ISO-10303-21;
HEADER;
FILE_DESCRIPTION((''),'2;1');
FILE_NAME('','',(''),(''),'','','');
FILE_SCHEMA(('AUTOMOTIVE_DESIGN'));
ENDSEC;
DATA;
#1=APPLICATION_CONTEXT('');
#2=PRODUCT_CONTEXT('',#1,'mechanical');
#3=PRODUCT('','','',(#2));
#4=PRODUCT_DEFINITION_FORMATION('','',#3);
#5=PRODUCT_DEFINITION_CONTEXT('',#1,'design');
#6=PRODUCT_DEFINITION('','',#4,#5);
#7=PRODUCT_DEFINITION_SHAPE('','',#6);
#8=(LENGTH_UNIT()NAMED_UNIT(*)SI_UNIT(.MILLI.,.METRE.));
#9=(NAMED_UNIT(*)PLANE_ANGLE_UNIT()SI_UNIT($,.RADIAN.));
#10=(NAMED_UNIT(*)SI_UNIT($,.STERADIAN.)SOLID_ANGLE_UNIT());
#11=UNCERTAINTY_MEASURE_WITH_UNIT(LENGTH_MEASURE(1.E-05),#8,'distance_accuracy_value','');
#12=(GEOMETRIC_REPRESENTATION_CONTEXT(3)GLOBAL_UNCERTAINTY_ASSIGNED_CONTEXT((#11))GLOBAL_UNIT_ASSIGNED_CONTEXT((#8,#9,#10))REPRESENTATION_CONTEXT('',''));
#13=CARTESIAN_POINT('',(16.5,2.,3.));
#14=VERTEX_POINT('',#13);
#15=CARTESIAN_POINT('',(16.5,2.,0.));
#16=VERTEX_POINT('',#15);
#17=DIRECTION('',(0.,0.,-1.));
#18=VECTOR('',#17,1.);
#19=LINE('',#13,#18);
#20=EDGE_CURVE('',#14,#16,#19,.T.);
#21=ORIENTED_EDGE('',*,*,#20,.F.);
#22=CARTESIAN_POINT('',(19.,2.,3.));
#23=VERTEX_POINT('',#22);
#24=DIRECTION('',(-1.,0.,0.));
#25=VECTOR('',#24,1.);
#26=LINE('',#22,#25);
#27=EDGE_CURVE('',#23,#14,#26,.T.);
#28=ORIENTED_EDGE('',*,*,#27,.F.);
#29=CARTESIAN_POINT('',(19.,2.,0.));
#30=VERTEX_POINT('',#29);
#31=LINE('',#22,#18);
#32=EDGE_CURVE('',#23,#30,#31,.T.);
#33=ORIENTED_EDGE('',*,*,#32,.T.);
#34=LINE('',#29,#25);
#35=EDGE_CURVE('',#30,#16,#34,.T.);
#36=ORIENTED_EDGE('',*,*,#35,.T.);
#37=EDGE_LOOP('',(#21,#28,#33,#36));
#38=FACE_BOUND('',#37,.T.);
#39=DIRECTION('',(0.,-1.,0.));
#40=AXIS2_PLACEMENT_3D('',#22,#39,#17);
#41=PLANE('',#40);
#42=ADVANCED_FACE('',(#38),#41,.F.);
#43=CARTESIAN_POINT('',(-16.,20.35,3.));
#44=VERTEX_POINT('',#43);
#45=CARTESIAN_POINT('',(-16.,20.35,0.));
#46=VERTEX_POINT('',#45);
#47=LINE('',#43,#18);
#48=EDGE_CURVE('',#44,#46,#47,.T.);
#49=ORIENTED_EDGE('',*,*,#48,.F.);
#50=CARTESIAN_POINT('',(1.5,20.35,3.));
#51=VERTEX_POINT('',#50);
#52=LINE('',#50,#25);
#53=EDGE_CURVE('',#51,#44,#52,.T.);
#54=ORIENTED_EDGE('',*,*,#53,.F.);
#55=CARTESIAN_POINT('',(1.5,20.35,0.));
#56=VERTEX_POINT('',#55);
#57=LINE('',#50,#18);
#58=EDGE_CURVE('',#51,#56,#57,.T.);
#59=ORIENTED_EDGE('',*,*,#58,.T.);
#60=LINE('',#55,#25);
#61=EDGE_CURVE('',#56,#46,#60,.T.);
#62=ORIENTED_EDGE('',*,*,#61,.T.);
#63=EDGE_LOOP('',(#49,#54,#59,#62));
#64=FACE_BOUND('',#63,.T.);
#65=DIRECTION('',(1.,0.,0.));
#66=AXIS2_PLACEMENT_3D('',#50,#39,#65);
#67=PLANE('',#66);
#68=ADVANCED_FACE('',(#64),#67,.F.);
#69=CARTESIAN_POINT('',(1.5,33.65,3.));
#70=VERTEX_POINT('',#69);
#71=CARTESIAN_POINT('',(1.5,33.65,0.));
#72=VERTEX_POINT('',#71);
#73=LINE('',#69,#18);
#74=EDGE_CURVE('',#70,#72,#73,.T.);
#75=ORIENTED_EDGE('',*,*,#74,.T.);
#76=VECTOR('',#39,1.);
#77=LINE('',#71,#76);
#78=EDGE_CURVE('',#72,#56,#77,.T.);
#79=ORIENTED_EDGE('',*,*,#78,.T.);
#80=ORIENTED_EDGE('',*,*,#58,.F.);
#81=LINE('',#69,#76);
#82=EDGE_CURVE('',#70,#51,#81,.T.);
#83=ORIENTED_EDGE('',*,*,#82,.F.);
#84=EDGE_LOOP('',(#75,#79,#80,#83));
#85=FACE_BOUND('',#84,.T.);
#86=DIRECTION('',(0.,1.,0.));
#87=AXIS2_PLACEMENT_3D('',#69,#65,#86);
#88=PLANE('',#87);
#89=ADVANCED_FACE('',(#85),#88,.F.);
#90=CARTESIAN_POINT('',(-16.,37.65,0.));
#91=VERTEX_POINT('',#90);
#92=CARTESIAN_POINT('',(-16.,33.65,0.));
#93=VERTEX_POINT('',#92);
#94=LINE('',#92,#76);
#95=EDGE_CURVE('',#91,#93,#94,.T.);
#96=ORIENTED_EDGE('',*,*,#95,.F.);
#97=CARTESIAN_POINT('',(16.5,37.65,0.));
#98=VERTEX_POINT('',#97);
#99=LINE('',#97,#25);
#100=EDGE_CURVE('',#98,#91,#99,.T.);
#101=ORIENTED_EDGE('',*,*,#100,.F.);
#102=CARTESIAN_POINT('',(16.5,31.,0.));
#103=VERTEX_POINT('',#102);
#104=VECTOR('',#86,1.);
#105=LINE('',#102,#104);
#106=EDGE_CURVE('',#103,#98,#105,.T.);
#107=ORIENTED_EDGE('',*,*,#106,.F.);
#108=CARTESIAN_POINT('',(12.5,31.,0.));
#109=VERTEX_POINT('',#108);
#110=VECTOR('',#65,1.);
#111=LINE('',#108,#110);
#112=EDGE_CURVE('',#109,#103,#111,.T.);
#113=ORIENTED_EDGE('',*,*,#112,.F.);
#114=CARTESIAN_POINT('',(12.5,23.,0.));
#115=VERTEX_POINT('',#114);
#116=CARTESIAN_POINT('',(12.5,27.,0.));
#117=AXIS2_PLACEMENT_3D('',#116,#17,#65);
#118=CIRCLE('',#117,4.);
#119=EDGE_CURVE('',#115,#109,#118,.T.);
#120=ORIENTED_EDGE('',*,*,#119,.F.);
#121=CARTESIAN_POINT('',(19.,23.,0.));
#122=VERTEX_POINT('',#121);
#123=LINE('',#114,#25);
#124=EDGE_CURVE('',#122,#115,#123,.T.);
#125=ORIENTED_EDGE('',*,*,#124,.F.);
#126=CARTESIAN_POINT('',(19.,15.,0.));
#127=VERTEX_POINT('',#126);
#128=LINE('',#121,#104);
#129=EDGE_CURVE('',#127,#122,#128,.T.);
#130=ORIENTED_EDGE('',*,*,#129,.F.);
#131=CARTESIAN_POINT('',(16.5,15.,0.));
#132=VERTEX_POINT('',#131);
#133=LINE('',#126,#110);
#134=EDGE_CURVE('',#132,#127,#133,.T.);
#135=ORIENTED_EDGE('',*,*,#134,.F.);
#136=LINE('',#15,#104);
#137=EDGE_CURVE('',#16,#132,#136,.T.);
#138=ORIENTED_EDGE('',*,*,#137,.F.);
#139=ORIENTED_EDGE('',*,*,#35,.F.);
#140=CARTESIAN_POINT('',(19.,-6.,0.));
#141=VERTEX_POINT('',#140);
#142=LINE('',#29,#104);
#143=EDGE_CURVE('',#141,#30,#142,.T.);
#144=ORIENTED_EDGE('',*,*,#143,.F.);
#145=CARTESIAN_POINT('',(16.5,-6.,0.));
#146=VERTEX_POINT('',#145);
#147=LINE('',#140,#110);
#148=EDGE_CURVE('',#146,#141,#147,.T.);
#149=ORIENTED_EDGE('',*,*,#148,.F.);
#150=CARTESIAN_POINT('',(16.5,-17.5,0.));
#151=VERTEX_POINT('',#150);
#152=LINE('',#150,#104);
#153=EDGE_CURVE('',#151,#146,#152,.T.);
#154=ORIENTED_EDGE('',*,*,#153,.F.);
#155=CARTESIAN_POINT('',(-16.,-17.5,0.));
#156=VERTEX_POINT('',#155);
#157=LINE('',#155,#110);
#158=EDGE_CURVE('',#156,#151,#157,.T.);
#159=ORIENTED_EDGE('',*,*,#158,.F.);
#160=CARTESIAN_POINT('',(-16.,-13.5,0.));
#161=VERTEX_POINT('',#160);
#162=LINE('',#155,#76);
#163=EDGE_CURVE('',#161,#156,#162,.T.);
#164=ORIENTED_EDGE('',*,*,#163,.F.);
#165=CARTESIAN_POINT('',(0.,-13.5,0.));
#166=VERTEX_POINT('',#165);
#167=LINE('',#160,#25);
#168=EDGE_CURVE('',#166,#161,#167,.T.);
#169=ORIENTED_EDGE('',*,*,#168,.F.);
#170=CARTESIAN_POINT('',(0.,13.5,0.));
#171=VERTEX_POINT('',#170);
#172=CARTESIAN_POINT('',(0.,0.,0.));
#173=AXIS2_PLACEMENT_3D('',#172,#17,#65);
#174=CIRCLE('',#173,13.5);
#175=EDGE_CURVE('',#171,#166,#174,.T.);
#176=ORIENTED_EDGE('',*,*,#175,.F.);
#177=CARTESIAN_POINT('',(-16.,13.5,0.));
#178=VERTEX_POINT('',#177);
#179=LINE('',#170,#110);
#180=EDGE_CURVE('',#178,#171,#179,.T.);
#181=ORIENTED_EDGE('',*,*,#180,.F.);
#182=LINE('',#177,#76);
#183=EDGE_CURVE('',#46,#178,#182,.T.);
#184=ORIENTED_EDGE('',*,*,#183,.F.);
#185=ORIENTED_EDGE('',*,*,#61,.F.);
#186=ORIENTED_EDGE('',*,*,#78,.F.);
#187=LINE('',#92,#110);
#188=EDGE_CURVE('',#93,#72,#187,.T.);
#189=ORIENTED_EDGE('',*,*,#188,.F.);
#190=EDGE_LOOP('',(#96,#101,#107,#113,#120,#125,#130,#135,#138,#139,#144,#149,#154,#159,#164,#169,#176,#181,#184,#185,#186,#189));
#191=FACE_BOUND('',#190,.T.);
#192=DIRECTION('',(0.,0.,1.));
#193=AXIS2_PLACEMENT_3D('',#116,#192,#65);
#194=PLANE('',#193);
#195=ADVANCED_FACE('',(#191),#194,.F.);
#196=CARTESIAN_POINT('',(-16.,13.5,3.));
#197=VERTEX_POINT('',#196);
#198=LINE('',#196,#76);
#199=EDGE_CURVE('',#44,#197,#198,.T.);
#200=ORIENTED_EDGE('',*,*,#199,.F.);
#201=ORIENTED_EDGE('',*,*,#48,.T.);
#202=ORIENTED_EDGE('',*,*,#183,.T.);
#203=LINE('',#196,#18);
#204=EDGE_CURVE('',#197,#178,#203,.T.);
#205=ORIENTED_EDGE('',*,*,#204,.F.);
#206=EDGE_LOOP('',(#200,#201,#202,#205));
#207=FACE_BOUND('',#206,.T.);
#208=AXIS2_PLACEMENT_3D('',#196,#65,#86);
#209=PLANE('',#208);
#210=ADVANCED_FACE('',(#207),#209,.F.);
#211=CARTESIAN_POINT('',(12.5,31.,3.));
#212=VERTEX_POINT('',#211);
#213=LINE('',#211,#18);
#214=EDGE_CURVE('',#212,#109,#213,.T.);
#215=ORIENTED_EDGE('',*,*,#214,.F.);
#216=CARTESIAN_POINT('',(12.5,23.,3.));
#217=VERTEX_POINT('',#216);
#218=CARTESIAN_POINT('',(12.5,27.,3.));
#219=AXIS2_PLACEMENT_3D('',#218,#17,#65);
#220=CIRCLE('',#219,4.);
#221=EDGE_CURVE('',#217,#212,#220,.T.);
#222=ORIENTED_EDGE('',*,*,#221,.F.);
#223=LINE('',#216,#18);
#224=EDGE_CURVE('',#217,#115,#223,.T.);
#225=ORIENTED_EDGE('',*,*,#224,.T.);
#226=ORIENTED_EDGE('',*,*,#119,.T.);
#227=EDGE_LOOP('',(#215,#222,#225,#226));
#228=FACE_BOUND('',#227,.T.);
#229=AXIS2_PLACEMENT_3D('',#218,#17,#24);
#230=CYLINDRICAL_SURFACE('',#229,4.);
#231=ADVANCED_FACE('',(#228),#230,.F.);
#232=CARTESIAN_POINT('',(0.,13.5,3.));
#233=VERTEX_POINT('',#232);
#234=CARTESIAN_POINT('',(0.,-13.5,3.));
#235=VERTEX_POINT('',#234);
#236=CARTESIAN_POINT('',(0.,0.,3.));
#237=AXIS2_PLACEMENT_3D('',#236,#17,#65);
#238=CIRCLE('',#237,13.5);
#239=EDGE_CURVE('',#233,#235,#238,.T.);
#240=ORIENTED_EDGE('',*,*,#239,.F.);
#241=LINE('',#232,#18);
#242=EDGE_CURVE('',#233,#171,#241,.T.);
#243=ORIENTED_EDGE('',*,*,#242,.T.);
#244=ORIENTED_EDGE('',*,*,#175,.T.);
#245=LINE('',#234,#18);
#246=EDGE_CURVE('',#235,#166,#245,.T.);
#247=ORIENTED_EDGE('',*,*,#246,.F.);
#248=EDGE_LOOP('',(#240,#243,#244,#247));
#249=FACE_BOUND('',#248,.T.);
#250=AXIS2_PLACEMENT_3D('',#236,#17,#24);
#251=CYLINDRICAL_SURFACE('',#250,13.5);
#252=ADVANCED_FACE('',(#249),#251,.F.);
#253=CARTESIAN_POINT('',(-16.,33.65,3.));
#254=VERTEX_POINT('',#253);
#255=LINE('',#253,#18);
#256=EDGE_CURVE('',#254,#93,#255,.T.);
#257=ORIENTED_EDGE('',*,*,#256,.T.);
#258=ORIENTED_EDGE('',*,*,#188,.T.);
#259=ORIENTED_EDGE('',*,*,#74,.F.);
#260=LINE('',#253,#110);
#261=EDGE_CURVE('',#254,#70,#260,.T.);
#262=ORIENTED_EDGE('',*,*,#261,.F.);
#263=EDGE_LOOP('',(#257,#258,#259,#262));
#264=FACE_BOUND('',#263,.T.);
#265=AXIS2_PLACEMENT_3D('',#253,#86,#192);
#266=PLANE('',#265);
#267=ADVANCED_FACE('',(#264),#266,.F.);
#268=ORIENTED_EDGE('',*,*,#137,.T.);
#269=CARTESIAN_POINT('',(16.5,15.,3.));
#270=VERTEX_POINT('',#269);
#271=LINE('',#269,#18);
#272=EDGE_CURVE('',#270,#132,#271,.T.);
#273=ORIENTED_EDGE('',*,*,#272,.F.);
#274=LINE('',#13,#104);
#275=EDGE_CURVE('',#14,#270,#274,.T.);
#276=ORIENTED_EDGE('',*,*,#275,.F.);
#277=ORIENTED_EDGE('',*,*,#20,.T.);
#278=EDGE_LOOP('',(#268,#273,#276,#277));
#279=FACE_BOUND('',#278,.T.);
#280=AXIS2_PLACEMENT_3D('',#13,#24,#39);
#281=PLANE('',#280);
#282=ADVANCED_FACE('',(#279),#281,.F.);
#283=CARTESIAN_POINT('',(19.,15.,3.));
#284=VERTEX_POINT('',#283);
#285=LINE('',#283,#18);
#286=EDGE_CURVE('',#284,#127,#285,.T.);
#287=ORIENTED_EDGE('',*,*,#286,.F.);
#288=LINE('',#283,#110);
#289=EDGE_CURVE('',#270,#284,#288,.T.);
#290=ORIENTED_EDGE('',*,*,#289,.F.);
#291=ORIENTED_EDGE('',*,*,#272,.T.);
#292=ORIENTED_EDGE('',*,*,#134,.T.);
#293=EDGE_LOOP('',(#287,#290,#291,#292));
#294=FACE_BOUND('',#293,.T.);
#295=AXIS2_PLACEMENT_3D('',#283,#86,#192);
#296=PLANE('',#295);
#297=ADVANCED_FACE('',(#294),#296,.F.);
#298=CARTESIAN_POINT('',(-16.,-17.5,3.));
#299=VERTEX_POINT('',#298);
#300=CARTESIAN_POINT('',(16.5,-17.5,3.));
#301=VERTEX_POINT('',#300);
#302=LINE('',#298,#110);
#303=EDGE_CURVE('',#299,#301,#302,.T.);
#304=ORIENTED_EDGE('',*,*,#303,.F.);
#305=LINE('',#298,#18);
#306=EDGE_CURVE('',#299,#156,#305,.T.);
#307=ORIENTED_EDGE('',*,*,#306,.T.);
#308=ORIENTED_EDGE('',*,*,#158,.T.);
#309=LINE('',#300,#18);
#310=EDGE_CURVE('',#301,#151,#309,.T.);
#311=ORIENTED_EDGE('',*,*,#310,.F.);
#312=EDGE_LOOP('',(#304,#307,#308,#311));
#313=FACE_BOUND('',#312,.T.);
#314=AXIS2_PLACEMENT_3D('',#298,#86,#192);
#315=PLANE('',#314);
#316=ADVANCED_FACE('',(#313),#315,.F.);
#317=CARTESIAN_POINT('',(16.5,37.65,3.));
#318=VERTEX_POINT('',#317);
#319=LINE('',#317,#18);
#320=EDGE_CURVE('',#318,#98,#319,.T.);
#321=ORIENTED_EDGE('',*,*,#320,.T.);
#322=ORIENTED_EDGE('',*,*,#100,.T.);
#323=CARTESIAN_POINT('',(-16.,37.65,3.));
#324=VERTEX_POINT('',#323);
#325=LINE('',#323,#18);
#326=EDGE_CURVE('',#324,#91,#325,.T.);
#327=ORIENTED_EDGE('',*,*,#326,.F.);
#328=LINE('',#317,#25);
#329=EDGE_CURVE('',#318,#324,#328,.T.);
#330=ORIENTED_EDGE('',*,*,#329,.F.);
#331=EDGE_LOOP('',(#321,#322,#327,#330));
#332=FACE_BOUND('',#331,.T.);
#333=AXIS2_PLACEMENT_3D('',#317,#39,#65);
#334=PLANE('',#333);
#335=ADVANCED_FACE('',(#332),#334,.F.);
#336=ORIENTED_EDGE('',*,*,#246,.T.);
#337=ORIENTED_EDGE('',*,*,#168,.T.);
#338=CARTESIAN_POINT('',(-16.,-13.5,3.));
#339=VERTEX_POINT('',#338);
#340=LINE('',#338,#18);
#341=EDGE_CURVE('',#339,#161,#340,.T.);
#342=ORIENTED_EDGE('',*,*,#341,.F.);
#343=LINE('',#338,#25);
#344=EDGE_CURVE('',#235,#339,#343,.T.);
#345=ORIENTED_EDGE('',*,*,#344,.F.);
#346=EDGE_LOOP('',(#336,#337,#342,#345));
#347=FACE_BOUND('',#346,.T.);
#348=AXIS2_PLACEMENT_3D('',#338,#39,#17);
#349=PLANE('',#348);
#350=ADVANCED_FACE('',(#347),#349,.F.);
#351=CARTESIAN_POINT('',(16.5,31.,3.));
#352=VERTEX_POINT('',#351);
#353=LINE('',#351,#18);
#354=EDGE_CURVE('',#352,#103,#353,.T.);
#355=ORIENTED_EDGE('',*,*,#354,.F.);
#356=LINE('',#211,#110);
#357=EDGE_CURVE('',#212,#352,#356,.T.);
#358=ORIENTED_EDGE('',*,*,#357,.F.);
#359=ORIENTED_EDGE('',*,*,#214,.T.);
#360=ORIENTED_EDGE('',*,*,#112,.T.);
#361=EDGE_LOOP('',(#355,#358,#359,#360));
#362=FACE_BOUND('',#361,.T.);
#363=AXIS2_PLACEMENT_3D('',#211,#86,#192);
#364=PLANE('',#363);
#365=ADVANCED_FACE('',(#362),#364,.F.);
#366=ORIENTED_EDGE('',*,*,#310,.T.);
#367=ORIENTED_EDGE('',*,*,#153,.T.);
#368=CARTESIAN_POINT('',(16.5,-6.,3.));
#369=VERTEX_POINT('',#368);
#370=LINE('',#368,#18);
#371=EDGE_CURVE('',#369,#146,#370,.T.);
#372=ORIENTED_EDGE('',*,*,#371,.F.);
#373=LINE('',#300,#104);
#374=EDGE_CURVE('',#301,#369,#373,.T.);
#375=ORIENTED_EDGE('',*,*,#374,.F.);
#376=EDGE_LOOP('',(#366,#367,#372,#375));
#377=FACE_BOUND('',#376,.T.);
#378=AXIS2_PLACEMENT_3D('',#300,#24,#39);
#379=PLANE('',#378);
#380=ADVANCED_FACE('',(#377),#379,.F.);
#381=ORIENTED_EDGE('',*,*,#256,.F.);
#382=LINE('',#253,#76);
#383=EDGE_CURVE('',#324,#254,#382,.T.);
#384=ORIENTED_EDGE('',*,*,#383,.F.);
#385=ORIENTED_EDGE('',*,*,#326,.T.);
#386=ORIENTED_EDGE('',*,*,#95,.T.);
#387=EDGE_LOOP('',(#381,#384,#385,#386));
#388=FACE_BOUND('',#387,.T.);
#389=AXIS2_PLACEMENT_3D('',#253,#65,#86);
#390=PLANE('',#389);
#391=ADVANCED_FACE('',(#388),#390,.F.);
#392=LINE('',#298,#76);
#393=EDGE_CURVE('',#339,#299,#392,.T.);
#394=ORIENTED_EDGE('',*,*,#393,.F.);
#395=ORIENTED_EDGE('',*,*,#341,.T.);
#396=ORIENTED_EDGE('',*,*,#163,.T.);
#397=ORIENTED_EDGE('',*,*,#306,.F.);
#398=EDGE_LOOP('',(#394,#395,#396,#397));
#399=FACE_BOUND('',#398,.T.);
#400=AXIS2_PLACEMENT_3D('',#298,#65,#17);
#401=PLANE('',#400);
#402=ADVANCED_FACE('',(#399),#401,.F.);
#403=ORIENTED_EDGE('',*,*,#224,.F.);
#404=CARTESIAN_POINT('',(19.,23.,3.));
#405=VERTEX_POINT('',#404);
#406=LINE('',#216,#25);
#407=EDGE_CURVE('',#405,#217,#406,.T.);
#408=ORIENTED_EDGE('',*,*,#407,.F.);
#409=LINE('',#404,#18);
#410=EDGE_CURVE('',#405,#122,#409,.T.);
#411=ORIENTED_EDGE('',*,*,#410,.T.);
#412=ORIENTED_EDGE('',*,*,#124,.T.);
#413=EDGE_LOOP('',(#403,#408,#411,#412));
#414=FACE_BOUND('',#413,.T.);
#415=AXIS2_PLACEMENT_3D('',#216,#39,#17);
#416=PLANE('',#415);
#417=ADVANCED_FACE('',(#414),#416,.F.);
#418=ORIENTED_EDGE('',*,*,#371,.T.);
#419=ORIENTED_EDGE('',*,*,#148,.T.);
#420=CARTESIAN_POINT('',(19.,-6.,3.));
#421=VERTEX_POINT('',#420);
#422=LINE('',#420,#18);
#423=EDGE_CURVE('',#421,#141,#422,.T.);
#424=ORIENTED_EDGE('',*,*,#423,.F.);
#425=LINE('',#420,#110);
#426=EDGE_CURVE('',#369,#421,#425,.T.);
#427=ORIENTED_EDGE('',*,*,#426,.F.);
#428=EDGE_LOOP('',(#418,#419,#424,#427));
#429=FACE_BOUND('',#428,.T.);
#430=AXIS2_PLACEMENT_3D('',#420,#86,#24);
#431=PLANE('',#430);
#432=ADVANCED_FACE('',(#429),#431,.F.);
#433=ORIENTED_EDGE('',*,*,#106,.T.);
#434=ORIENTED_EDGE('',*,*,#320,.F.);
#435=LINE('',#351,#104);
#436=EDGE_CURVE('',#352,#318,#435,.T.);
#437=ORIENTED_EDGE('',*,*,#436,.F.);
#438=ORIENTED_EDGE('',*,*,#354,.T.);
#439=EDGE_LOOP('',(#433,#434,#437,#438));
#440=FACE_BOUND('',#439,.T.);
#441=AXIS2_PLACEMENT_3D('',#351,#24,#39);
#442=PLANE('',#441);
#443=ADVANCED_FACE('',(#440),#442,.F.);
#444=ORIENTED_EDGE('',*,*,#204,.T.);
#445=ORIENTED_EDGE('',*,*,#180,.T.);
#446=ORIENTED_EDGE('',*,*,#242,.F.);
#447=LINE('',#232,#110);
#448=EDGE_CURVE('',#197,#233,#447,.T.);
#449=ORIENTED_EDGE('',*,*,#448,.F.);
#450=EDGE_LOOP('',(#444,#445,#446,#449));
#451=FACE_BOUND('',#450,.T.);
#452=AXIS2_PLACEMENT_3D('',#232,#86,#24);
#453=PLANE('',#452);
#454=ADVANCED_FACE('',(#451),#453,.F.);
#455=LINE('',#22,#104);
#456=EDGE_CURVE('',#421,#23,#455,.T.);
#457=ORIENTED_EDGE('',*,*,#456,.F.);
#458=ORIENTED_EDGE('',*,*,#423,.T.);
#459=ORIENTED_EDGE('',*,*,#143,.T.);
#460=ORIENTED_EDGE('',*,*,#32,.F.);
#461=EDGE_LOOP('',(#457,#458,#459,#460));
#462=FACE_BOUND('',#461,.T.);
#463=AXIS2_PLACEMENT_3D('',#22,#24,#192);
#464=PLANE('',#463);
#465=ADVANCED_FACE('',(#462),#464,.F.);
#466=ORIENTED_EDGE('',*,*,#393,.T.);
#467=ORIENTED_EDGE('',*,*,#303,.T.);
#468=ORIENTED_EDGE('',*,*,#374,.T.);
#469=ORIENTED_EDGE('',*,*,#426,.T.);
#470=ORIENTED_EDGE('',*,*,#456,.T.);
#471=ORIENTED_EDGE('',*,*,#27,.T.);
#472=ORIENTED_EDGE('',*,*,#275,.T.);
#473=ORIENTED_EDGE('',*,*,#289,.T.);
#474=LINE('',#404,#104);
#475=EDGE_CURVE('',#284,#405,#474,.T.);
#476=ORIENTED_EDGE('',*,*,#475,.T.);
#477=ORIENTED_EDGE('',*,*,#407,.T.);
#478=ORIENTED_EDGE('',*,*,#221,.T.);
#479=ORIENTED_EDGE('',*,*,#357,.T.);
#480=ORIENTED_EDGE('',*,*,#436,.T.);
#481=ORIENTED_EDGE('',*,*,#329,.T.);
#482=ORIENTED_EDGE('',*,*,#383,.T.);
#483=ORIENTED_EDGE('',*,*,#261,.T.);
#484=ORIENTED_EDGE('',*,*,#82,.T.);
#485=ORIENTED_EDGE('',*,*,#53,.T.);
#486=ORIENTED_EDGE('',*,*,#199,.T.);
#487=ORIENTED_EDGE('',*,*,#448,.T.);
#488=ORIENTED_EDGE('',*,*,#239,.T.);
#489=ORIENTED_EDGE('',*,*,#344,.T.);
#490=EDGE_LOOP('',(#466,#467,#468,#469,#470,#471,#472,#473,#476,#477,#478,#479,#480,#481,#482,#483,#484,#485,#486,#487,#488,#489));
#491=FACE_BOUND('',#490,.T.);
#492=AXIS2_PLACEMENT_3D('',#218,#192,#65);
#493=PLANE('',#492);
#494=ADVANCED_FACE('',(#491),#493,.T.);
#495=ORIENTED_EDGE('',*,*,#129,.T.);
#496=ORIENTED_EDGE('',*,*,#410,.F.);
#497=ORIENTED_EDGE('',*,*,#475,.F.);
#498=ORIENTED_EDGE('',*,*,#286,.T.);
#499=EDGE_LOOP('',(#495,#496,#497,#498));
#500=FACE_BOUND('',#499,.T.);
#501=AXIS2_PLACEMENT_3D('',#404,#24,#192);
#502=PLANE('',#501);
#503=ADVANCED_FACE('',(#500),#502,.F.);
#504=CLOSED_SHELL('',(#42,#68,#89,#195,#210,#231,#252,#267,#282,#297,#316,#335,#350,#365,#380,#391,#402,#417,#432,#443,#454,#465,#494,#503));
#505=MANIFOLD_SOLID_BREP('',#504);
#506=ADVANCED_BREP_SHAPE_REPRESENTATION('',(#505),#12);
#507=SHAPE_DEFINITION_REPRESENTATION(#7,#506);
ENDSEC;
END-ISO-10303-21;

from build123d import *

# Parameters (mm, degrees)
BOSS_EXTRU_1_DEPTH = 3


with BuildPart() as part:
    # Esquisse1 → Boss.-Extru.1 (new body)
    with BuildSketch(Plane.XY):
        with BuildLine():
            Line((-16, 33.65), (-16, 37.65))
            Line((-16, 37.65), (16.5, 37.65))
            Line((16.5, 37.65), (16.5, 31))
            Line((16.5, 31), (12.5, 31))
            ThreePointArc((12.5, 31), (8.5, 27), (12.5, 23))
            Line((12.5, 23), (19, 23))
            Line((19, 23), (19, 15))
            Line((19, 15), (16.5, 15))
            Line((16.5, 15), (16.5, 2))
            Line((16.5, 2), (19, 2))
            Line((19, 2), (19, -6))
            Line((19, -6), (16.5, -6))
            Line((16.5, -6), (16.5, -17.5))
            Line((16.5, -17.5), (-16, -17.5))
            Line((-16, -17.5), (-16, -13.5))
            Line((-16, -13.5), (0, -13.5))
            ThreePointArc((0, -13.5), (13.5, 0), (0, 13.5))
            Line((0, 13.5), (-16, 13.5))
            Line((-16, 13.5), (-16, 20.35))
            Line((-16, 20.35), (1.5, 20.35))
            Line((1.5, 20.35), (1.5, 33.65))
            Line((1.5, 33.65), (-16, 33.65))
        make_face()
    extrude(amount=BOSS_EXTRU_1_DEPTH)


solid = part.part
